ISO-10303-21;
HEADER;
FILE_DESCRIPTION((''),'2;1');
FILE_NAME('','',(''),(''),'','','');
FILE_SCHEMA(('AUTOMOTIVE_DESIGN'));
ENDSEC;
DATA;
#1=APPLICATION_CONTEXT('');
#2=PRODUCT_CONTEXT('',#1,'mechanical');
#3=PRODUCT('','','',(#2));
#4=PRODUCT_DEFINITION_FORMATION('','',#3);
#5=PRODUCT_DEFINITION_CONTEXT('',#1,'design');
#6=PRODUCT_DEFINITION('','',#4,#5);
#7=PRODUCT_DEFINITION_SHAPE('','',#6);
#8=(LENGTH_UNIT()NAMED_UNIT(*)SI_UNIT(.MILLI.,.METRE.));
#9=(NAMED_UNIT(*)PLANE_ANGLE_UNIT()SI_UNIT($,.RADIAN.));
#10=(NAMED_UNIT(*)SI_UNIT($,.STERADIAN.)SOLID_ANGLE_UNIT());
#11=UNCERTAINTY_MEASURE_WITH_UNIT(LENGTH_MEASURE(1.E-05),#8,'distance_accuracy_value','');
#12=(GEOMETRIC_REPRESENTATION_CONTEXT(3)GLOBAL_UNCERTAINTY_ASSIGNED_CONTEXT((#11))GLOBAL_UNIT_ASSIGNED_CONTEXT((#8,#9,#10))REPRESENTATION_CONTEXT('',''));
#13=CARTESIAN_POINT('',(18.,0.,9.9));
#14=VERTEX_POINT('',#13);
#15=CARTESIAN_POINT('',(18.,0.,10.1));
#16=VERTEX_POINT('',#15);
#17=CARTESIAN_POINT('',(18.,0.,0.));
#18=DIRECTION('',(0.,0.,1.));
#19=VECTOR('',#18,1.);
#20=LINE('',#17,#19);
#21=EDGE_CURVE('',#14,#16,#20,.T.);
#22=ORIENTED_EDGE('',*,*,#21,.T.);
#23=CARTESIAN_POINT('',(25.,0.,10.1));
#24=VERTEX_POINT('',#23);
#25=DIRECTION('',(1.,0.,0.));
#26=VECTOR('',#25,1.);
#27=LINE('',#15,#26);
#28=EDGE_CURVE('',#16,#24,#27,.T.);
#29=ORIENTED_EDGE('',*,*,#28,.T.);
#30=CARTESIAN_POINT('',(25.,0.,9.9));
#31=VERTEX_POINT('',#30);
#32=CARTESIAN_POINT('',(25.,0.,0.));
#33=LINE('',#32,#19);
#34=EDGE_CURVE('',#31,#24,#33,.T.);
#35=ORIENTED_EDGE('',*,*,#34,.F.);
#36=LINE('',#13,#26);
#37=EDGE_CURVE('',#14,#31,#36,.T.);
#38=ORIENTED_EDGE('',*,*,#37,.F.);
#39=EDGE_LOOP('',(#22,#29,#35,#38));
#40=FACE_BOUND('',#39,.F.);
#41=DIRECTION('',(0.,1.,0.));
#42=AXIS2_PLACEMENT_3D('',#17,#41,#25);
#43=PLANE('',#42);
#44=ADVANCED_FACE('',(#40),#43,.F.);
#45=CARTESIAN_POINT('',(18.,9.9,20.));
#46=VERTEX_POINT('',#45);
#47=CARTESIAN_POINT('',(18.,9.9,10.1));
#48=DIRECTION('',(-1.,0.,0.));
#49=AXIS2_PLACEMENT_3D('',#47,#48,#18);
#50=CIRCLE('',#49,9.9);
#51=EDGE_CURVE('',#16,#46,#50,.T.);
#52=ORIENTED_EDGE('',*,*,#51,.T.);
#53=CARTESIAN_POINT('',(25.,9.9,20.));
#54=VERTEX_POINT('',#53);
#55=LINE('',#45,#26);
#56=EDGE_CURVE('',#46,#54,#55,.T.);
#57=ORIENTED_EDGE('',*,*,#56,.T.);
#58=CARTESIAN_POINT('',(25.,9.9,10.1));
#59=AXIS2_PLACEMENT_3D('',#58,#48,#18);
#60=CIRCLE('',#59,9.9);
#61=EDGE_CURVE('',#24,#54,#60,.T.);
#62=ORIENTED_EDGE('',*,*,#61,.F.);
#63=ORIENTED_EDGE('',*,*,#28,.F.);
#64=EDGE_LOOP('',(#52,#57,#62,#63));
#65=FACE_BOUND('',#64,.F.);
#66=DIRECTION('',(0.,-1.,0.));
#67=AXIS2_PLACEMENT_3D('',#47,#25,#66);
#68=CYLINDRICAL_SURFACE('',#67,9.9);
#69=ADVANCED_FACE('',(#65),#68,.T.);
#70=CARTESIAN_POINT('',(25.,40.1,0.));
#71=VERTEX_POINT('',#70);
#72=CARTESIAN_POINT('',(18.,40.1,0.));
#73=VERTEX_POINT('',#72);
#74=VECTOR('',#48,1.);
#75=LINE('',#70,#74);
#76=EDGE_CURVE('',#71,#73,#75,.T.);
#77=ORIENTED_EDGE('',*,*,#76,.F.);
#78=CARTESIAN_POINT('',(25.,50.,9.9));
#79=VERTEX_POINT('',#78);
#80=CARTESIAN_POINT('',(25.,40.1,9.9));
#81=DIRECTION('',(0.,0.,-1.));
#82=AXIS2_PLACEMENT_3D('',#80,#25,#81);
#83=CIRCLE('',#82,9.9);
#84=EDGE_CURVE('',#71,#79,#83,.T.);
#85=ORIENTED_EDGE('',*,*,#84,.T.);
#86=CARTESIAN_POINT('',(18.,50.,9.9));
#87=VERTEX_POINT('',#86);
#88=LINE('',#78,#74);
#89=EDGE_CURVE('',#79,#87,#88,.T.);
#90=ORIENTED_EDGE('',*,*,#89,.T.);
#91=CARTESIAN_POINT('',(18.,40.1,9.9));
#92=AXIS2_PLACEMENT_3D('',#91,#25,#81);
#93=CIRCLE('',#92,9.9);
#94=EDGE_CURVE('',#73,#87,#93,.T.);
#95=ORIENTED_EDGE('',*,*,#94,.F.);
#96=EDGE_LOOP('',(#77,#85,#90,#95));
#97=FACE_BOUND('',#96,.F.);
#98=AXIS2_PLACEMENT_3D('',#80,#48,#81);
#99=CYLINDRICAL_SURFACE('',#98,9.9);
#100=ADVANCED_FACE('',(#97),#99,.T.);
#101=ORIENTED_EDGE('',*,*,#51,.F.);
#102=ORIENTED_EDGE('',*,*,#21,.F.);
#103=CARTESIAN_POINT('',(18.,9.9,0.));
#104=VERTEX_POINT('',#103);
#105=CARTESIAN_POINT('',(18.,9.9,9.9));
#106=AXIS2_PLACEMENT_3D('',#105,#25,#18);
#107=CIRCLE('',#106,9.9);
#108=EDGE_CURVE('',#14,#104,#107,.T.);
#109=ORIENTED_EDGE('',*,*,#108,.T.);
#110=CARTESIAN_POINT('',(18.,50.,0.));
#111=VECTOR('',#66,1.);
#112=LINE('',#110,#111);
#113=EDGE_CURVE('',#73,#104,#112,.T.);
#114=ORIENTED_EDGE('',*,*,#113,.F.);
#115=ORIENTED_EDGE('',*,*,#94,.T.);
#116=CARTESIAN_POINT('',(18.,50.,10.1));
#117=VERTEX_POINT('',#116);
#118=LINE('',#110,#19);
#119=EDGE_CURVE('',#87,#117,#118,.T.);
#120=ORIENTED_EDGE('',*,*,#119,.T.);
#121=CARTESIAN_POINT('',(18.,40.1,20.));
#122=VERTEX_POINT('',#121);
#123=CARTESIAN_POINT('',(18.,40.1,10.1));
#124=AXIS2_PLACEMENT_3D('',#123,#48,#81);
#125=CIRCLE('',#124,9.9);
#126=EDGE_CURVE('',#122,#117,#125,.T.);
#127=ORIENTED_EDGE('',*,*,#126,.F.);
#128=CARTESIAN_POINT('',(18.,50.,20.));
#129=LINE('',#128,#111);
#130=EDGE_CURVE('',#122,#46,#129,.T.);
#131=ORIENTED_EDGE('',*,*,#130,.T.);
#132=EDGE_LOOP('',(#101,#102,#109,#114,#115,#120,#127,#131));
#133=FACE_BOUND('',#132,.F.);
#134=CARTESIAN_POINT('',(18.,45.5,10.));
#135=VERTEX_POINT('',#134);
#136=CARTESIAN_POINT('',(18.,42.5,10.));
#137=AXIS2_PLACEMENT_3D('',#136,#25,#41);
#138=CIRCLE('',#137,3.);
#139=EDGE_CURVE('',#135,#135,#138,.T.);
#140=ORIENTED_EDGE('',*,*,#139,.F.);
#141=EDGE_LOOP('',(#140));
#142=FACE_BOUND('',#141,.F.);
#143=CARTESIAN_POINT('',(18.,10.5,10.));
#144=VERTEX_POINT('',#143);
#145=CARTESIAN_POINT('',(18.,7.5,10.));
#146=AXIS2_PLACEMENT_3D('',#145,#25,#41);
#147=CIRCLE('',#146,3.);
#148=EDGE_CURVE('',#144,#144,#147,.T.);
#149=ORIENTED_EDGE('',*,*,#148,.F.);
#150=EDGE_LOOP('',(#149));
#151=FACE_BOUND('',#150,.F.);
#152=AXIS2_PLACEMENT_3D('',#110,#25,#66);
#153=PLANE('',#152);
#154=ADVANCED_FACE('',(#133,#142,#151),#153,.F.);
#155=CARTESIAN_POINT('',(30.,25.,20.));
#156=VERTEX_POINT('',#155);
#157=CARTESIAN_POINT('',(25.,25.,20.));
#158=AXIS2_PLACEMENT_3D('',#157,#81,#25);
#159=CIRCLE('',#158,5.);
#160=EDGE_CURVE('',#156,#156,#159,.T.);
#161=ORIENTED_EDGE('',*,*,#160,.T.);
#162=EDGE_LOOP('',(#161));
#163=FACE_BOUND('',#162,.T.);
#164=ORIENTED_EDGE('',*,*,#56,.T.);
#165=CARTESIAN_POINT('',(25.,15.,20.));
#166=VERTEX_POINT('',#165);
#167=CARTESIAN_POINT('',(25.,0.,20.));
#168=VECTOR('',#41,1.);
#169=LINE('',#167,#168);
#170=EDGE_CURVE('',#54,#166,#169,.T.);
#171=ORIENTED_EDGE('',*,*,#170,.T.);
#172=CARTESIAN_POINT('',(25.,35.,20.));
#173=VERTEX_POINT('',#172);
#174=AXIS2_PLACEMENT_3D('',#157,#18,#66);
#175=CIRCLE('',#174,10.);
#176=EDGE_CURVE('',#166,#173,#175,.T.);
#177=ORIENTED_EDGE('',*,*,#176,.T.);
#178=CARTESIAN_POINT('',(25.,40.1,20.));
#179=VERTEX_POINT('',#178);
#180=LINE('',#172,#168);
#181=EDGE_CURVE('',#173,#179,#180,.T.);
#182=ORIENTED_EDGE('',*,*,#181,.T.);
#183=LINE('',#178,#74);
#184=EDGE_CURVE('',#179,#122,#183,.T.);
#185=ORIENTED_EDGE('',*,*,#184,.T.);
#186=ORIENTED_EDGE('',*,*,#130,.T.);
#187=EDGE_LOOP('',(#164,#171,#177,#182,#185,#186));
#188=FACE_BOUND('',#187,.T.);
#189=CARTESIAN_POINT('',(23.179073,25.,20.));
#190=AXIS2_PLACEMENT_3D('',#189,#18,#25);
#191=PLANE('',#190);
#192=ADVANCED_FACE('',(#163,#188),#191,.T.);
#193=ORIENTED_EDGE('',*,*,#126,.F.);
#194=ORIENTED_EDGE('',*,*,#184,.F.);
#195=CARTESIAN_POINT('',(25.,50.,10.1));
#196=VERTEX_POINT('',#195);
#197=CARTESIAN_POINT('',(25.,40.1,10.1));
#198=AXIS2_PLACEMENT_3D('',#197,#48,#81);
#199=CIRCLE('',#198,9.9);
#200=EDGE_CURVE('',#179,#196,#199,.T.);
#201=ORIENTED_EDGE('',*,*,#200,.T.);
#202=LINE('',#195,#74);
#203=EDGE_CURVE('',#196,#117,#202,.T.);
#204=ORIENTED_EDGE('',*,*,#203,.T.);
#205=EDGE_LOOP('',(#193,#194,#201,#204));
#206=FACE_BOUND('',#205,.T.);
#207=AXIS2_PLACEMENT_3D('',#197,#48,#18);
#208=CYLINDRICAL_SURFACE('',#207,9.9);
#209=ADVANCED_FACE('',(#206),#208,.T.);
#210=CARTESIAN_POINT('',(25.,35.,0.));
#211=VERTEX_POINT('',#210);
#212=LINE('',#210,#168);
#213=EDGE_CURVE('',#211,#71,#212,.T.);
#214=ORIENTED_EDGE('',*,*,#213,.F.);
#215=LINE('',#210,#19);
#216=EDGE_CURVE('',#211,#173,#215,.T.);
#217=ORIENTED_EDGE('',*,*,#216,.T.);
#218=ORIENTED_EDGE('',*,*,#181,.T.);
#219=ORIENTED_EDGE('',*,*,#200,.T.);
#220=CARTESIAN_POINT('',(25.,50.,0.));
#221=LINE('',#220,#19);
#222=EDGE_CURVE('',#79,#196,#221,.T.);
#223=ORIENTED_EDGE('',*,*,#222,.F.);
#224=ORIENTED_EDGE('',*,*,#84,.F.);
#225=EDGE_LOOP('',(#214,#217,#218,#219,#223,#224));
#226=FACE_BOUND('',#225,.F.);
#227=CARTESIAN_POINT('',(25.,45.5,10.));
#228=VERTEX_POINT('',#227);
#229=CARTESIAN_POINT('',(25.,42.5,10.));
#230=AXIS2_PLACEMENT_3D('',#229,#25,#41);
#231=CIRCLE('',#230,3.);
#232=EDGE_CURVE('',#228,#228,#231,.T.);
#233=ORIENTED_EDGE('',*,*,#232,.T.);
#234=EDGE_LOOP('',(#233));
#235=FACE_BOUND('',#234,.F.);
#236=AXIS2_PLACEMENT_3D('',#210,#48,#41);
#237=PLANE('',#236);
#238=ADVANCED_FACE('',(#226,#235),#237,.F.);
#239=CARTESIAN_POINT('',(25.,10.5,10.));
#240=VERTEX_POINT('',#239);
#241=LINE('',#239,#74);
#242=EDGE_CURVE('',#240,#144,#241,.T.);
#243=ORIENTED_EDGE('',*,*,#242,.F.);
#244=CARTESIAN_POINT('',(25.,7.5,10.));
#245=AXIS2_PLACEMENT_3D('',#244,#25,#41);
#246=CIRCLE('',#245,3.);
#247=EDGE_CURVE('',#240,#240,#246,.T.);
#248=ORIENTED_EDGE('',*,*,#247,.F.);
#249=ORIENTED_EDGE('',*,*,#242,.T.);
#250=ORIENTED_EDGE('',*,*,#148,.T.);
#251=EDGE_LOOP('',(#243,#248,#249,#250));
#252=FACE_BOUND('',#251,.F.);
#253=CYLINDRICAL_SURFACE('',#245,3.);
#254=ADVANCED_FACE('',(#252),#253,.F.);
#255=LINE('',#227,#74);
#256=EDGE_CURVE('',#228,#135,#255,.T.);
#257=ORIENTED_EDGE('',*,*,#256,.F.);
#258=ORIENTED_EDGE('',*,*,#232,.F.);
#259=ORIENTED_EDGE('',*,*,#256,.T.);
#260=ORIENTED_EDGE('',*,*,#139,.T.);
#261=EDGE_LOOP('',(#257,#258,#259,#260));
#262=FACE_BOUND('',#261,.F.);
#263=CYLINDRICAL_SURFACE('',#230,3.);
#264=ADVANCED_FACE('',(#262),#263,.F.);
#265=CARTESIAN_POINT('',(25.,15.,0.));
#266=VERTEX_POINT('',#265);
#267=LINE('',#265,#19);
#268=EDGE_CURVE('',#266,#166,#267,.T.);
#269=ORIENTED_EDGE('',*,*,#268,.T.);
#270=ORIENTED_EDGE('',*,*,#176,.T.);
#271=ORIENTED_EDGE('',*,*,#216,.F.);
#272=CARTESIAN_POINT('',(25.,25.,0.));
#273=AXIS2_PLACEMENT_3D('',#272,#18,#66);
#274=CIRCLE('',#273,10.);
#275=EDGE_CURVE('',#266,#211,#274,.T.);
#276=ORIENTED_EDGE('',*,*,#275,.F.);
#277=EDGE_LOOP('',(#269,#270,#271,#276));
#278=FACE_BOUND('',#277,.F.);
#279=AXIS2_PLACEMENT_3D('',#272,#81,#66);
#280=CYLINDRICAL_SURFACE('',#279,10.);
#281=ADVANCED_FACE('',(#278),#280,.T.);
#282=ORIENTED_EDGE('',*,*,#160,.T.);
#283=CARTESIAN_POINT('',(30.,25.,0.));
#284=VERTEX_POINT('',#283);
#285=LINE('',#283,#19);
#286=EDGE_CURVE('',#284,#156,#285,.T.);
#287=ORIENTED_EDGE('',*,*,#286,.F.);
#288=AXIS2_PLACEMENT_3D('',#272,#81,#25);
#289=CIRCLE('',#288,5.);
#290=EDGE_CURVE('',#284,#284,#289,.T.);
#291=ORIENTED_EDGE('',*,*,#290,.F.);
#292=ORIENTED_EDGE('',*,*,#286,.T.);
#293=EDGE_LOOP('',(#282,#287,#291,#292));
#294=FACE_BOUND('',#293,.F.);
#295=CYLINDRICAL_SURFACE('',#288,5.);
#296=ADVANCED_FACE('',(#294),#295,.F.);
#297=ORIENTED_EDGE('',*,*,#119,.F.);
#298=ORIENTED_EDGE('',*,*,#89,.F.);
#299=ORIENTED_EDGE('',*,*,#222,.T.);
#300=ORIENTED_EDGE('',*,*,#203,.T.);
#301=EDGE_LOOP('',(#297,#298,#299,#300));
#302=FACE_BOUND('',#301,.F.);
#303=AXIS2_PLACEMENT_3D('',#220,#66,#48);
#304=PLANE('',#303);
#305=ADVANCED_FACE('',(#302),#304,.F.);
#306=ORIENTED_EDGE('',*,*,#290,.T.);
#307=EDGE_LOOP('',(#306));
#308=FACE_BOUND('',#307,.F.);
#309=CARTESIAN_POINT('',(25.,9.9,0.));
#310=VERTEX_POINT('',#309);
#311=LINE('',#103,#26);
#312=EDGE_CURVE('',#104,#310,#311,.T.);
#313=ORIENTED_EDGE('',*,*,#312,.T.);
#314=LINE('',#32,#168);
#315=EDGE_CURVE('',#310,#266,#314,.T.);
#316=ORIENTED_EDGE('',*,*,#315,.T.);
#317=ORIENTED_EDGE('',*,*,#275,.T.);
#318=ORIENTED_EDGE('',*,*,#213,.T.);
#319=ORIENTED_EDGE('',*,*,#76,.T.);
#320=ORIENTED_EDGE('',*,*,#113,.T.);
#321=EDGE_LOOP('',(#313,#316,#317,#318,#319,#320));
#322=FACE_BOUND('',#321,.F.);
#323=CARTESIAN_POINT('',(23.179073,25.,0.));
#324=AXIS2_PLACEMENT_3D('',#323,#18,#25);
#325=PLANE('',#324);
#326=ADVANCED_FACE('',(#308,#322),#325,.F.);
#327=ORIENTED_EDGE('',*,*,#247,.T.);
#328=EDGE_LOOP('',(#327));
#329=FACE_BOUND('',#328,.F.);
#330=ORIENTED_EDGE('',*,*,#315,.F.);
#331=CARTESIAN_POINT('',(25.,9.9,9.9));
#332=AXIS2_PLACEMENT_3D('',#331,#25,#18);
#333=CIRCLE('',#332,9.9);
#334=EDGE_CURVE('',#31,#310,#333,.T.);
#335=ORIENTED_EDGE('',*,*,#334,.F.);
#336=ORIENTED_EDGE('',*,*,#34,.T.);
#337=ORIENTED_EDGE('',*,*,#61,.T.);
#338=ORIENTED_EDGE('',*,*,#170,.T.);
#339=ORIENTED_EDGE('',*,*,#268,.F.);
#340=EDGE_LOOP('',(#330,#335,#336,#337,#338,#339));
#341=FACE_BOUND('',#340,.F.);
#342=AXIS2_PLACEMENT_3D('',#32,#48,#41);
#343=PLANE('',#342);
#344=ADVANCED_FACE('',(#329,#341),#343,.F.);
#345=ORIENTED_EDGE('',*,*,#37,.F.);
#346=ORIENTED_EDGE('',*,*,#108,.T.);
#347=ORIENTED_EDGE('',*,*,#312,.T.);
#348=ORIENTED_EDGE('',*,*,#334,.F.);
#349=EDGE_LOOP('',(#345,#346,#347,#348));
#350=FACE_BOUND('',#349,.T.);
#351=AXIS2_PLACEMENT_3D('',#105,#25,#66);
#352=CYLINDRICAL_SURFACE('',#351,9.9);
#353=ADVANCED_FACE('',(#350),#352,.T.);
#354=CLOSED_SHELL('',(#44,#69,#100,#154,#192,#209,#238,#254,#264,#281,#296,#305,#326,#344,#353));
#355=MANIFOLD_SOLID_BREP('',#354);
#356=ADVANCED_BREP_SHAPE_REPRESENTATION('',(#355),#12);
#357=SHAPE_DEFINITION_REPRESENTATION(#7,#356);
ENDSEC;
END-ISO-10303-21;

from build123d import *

# Parameters (mm, degrees)
PAD030_DEPTH       = 20
SKETCH021_R        = 5
POCKET001006_DEPTH = 20.001
FILLET_R           = 9.9
SKETCH024_R        = 3
POCKET002_DEPTH    = 7.001


with BuildPart() as part:
    # Sketch020 → Pad030 (new body)
    with BuildSketch(Plane.XY):
        with BuildLine():
            Line((18, 0), (25, 0))
            Line((25, 0), (25, 15))
            ThreePointArc((25, 15), (35, 25), (25, 35))
            Line((25, 35), (25, 50))
            Line((25, 50), (18, 50))
            Line((18, 50), (18, 0))
        make_face()
    extrude(amount=PAD030_DEPTH)

    # Sketch021 → Pocket001006 (cut, through all)
    with BuildSketch(Plane(origin=(0, 0, 0), x_dir=(1, 0, 0), z_dir=(0, 0, -1))):
        with Locations((25, -25)):
            Circle(SKETCH021_R)
    extrude(amount=-POCKET001006_DEPTH, mode=Mode.SUBTRACT)

    # Fillet
    fillet_edges = [part.edges().sort_by_distance(p)[0] for p in [
        (21.5, 0, 0),
        (21.5, 50, 0),
        (21.5, 50, 20),
        (21.5, 0, 20),
    ]]
    fillet(fillet_edges, radius=FILLET_R)

    # Sketch024 → Pocket002 (cut, through all)
    with BuildSketch(Plane.YZ.offset(25)):
        with Locations((7.5, 10)):
            Circle(SKETCH024_R)
        with Locations((42.5, 10)):
            Circle(SKETCH024_R)
    extrude(amount=-POCKET002_DEPTH, mode=Mode.SUBTRACT)


solid = part.part
